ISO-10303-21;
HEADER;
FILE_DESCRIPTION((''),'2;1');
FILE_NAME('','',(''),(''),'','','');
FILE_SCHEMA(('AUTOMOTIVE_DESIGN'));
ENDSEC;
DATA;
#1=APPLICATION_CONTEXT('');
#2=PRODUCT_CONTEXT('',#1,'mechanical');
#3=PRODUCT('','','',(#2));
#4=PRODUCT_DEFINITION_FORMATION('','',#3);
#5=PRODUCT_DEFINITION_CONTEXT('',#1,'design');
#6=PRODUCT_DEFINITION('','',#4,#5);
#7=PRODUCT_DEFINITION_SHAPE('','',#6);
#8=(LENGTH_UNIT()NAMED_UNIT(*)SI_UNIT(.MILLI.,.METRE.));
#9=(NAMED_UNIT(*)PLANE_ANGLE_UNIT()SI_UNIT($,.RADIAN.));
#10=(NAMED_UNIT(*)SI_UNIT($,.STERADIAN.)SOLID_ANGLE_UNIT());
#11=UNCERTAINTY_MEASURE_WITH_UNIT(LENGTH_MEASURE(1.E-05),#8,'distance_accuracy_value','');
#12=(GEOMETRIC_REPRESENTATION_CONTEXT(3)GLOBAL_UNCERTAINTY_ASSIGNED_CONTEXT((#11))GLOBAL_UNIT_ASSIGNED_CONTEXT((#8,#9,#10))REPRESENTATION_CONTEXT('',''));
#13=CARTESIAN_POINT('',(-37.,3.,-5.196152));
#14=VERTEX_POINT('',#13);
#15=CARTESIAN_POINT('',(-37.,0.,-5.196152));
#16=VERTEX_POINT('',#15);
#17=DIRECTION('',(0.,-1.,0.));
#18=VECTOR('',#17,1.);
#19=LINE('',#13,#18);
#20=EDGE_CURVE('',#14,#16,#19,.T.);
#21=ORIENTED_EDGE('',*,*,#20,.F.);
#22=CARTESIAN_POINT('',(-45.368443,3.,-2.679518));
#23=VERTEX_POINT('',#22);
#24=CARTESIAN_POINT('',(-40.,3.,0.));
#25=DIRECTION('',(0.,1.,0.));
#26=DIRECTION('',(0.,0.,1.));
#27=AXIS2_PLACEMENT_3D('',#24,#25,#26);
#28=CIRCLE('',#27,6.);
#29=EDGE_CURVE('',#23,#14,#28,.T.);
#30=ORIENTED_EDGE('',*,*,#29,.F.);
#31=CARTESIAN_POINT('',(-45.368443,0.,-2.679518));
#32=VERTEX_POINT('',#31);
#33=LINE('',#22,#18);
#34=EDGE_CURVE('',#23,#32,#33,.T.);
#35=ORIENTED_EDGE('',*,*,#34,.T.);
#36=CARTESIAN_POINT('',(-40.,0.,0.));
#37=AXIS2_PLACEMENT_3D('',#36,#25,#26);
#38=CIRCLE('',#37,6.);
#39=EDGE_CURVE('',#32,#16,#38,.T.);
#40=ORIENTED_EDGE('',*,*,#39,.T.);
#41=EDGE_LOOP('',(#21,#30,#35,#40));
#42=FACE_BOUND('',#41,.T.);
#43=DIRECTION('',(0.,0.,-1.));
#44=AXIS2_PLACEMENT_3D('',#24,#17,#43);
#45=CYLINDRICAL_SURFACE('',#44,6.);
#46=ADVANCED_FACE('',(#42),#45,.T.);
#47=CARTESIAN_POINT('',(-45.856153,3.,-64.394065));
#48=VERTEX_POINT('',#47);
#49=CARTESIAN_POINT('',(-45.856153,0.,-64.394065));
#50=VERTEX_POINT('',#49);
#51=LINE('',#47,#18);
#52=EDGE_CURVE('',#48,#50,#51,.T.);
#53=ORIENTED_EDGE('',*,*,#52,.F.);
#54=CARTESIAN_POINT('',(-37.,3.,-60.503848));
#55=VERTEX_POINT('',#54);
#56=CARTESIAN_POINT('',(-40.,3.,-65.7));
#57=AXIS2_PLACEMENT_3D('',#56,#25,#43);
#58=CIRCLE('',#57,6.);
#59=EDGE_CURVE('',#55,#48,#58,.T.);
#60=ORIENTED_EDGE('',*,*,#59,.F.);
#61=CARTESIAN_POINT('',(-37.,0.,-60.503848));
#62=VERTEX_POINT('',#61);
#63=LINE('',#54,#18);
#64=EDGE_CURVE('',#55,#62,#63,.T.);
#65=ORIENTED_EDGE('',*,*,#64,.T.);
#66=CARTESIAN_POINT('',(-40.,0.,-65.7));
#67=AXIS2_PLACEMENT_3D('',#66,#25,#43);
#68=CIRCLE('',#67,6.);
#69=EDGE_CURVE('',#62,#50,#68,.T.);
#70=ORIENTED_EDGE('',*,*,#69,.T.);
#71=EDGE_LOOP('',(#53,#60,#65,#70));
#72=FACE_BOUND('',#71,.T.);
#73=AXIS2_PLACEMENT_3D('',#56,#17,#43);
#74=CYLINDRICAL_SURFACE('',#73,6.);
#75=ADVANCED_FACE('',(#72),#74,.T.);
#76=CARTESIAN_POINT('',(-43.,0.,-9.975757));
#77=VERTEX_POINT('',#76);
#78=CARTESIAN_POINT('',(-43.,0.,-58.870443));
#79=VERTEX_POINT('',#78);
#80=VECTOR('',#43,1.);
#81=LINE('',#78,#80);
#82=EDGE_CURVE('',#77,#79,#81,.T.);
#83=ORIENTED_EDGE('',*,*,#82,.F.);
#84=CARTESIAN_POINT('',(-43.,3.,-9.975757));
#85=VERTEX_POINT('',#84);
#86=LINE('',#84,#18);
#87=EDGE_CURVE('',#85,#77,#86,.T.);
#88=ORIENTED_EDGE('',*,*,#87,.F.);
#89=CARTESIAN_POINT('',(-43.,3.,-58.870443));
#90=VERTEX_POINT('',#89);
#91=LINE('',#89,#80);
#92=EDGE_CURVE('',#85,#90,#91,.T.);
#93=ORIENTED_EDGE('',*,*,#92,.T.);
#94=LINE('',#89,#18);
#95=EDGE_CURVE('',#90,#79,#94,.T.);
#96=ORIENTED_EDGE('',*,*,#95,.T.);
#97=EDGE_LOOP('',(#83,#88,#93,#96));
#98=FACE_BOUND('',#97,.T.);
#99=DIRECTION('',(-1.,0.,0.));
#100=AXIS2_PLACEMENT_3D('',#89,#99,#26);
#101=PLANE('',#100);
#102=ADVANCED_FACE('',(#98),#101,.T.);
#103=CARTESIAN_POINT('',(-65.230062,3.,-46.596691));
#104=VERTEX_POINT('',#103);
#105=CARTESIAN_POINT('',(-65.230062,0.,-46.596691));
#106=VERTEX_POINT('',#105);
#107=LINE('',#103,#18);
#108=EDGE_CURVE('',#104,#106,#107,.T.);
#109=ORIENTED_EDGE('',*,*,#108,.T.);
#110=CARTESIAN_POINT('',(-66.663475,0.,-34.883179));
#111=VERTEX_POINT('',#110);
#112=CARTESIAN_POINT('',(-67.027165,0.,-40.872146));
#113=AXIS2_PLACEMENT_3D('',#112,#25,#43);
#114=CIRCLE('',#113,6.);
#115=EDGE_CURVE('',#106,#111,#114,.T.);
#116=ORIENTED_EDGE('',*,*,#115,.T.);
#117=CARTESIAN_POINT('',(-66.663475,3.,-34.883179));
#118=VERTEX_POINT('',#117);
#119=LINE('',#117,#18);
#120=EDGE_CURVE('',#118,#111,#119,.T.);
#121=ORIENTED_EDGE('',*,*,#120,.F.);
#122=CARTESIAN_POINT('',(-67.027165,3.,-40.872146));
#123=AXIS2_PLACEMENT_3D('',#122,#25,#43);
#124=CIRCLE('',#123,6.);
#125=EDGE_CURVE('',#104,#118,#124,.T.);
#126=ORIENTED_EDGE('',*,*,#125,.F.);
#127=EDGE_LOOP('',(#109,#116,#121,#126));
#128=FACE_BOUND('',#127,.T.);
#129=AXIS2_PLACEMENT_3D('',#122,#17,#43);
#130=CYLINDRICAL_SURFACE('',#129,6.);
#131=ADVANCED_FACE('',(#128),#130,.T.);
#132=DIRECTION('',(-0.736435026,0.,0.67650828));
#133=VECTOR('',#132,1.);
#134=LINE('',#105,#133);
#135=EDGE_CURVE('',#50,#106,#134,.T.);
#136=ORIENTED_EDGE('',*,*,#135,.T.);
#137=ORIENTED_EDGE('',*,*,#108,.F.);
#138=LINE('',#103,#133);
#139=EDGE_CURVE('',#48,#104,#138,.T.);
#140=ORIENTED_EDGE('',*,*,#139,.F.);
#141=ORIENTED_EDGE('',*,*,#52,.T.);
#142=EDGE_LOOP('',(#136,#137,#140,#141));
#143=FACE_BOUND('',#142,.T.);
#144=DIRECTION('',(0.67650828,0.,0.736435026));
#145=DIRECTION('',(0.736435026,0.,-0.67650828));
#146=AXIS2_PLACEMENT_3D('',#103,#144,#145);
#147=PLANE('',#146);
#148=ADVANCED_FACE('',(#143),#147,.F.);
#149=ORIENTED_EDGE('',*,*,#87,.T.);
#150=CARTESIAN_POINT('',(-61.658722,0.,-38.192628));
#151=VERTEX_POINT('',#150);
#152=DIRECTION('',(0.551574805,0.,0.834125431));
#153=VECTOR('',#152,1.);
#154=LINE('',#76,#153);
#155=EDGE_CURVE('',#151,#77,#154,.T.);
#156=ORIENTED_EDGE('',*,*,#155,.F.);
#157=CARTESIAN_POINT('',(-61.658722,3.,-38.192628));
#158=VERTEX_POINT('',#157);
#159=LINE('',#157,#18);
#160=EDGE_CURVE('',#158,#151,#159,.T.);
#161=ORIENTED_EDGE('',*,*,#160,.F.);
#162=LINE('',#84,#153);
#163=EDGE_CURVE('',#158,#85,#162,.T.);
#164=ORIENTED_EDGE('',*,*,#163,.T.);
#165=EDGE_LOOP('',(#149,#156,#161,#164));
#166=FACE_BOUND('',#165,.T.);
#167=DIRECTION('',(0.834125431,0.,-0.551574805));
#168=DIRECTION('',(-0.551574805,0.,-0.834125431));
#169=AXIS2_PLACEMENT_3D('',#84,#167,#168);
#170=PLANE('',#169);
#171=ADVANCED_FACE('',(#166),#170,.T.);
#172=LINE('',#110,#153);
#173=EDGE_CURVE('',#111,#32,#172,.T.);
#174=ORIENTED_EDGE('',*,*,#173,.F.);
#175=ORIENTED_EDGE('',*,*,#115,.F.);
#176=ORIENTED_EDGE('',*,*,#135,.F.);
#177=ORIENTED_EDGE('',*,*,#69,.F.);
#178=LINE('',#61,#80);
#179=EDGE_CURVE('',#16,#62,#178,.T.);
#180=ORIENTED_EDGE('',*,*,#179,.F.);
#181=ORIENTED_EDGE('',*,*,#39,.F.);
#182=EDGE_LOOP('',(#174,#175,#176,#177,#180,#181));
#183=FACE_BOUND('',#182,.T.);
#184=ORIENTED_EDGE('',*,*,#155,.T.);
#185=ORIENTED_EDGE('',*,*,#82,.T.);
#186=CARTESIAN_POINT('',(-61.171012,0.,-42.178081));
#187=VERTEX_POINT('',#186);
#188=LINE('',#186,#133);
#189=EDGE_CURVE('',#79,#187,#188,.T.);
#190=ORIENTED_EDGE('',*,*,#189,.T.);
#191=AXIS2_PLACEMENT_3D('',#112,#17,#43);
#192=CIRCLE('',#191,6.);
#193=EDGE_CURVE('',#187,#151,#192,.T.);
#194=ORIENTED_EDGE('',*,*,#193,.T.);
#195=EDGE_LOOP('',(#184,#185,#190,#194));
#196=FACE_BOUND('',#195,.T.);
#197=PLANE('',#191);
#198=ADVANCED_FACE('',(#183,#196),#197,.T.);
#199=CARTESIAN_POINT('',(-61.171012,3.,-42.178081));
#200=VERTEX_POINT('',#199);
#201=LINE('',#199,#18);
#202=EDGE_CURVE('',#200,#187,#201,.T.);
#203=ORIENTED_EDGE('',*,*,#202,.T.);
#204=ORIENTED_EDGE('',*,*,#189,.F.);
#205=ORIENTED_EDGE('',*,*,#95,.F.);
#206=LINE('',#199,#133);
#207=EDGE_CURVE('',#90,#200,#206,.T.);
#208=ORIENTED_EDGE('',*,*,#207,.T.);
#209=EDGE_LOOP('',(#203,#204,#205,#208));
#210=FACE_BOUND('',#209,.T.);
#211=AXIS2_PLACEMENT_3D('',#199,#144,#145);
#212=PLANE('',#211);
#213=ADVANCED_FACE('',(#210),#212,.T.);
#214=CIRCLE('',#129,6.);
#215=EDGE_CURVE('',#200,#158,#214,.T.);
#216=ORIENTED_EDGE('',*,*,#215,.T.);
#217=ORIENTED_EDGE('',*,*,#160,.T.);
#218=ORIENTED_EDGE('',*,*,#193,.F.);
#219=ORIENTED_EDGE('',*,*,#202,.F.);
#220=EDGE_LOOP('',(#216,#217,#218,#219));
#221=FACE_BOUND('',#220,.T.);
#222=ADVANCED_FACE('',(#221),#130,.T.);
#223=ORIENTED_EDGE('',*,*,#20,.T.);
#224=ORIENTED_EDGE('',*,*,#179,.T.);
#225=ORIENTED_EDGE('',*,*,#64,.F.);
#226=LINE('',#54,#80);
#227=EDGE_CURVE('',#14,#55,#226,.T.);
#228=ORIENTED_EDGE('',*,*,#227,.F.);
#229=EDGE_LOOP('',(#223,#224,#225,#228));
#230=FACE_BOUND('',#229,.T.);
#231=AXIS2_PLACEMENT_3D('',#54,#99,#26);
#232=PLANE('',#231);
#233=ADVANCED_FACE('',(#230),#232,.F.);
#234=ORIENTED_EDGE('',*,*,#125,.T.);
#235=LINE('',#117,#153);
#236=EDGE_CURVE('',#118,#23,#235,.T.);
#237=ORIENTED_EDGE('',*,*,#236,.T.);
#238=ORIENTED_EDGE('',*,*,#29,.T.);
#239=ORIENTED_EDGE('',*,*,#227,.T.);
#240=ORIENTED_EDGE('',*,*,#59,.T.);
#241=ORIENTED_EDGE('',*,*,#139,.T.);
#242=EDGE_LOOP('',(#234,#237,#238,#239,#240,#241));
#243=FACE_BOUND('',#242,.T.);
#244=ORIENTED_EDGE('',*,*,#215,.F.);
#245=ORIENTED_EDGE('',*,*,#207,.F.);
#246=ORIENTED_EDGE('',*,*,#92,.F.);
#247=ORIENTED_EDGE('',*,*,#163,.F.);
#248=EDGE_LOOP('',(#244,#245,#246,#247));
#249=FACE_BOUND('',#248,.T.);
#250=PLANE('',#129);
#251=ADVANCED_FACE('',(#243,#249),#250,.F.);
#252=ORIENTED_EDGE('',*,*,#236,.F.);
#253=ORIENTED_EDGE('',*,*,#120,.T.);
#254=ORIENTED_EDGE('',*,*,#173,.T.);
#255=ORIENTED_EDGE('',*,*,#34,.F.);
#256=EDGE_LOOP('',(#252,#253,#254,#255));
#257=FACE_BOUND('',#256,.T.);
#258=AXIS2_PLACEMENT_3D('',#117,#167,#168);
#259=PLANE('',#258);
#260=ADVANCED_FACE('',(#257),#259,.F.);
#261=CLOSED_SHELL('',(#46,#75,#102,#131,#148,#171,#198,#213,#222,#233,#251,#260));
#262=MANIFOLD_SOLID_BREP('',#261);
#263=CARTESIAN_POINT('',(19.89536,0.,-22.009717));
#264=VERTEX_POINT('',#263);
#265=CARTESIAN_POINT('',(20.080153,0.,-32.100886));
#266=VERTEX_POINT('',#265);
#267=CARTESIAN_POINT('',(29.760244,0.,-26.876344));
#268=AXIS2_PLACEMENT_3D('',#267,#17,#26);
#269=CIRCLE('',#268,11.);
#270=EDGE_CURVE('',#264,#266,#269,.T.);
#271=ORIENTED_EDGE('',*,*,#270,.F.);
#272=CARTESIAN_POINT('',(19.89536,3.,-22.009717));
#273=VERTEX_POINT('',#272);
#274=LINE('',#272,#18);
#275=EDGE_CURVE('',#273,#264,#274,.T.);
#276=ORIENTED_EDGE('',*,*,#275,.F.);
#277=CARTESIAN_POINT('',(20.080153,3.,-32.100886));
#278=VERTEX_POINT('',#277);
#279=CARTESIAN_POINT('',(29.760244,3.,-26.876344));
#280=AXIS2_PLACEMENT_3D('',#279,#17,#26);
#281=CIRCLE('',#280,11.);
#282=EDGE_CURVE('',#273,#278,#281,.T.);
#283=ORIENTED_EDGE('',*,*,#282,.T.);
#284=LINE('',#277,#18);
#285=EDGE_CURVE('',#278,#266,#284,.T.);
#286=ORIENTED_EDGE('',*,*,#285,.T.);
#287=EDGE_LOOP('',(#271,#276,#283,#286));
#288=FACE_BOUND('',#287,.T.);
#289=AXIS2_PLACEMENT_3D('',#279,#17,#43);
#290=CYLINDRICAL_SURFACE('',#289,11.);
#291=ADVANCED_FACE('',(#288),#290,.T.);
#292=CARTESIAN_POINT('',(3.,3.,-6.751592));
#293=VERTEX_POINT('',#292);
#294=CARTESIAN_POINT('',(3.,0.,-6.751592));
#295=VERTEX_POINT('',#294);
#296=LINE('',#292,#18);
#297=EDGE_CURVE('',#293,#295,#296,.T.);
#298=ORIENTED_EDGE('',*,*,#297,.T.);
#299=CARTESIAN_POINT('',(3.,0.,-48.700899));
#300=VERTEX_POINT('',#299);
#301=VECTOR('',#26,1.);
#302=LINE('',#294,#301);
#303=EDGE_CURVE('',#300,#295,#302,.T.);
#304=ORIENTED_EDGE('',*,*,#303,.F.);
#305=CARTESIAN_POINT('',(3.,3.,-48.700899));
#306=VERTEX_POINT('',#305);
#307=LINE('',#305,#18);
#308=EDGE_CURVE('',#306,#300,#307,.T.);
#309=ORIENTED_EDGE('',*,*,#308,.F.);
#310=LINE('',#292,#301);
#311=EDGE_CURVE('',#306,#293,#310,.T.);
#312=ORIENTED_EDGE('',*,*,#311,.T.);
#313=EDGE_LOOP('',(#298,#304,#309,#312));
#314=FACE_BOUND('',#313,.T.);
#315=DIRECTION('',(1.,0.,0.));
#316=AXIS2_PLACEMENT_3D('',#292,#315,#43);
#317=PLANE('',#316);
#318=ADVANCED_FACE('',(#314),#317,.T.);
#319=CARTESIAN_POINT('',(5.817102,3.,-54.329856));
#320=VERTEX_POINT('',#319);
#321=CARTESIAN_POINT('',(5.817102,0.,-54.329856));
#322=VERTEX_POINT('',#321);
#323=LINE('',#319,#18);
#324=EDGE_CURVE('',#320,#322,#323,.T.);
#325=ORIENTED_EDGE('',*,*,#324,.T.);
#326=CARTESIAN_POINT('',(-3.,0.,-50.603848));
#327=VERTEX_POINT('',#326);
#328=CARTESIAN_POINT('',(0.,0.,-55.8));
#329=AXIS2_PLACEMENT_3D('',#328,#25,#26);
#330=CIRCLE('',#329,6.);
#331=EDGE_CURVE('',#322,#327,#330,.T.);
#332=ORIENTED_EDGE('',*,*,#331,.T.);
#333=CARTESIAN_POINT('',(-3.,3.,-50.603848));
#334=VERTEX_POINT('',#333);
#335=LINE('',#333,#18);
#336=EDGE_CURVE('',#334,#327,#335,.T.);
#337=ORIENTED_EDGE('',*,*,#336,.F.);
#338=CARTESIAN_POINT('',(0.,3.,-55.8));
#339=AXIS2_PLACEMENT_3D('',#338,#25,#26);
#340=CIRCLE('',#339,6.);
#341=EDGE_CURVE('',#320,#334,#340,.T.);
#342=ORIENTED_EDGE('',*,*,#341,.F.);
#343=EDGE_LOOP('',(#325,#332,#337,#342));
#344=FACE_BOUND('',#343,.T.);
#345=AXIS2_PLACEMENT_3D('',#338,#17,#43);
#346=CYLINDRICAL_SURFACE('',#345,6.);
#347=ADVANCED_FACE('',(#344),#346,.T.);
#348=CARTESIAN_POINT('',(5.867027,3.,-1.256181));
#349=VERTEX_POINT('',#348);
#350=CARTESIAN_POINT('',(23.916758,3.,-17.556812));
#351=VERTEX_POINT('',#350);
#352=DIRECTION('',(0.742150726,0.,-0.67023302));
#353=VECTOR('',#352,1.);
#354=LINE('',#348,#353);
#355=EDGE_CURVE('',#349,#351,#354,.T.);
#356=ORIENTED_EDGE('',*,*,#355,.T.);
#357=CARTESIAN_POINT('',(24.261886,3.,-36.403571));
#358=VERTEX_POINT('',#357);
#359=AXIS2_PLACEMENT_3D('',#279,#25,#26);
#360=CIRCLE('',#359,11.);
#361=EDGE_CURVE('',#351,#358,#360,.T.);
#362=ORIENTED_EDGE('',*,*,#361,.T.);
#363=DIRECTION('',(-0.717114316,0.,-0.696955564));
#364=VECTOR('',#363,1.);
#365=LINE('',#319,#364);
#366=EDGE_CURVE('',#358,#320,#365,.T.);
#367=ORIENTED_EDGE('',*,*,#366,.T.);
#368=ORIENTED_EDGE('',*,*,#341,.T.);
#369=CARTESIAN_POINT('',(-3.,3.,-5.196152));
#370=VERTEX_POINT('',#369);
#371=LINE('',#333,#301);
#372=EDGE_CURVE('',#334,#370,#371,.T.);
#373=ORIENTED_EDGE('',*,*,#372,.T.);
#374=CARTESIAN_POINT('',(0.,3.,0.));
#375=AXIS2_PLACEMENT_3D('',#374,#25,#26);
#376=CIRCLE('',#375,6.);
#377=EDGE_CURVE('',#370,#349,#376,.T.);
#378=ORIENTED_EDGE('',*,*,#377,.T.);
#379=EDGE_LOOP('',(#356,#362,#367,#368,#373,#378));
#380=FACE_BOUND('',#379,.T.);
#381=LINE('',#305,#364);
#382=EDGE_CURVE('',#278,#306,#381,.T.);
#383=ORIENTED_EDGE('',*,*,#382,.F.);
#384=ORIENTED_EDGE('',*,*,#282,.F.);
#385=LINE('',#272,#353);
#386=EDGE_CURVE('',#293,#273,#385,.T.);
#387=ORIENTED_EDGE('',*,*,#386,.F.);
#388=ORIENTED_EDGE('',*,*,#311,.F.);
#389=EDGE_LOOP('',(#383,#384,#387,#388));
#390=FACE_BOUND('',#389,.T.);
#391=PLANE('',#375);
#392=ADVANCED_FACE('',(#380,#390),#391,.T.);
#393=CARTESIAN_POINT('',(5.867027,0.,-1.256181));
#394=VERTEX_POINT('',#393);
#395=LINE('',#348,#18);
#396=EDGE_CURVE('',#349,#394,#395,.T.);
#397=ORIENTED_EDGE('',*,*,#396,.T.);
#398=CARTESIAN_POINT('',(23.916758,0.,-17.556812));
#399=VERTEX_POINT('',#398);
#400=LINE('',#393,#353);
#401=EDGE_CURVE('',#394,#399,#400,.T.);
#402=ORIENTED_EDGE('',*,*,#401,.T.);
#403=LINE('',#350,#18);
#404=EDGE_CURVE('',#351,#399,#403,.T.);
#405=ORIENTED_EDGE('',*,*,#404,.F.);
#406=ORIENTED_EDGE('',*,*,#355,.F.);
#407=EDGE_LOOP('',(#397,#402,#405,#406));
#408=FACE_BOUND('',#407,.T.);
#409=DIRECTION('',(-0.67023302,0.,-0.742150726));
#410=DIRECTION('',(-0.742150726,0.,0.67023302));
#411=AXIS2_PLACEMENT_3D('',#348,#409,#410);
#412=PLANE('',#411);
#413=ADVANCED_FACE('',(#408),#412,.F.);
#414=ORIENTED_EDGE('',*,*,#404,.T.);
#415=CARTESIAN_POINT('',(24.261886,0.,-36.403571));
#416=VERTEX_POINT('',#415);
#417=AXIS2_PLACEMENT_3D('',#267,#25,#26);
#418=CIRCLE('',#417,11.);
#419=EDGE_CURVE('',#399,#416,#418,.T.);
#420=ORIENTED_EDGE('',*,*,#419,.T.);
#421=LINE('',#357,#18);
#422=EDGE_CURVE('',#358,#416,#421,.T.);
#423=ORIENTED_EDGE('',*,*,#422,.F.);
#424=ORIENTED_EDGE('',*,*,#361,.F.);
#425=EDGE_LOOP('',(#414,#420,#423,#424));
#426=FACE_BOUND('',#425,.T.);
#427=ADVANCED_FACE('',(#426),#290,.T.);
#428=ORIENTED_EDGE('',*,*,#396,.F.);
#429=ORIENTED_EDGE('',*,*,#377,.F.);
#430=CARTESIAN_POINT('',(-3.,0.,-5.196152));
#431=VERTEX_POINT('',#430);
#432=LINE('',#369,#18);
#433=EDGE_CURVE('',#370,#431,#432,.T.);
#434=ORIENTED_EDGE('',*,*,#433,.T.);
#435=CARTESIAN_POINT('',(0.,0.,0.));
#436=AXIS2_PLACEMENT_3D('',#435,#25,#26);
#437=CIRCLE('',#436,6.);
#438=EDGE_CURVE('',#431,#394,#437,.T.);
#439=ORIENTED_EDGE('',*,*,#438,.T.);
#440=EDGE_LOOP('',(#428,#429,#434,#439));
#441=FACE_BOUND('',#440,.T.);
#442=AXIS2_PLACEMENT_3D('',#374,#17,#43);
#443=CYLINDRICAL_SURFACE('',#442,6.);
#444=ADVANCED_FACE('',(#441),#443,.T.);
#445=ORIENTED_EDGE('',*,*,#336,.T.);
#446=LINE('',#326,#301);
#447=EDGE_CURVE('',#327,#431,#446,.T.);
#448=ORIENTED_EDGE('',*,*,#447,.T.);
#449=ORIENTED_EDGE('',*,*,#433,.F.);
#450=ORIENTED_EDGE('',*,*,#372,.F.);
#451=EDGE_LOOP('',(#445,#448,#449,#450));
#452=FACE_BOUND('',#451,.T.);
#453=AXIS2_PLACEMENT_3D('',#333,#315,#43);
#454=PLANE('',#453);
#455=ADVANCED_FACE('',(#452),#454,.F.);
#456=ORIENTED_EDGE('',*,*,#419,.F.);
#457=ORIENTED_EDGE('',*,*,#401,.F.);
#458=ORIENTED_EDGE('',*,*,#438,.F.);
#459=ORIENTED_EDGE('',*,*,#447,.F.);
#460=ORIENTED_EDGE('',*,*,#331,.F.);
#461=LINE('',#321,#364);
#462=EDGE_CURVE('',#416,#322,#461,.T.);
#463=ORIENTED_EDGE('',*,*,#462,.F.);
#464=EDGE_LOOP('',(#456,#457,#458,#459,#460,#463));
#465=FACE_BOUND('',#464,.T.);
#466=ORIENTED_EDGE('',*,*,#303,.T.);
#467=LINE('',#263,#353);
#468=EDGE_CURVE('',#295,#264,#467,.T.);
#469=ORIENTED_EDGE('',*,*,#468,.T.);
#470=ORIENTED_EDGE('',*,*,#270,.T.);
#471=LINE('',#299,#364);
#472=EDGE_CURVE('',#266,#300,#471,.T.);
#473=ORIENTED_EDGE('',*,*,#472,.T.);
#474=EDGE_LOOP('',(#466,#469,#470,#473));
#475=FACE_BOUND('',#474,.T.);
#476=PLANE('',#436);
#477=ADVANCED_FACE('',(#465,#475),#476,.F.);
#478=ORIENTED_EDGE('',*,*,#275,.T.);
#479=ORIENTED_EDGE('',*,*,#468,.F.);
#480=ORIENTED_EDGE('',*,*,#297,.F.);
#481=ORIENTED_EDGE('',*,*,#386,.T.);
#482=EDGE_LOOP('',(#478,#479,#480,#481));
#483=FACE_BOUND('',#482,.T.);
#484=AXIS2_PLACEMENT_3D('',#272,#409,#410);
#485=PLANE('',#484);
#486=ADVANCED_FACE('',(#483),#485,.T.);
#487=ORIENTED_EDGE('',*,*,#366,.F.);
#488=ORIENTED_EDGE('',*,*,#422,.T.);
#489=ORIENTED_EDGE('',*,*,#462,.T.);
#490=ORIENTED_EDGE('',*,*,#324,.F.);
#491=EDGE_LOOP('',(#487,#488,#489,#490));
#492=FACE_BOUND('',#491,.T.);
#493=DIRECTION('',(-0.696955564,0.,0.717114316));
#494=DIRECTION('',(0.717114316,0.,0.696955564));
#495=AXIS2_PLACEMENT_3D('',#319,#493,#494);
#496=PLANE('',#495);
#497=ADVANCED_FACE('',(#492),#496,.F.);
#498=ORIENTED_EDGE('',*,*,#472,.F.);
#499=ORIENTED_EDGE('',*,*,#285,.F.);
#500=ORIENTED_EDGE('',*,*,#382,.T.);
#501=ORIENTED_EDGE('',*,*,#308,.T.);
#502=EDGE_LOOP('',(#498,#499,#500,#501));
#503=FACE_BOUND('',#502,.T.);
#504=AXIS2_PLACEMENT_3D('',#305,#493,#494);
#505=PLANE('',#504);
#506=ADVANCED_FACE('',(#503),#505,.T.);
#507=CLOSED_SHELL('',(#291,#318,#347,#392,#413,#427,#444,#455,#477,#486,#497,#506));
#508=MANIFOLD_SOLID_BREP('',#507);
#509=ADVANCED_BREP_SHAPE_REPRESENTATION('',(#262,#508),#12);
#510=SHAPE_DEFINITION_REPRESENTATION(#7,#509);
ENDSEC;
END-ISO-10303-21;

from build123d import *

# Parameters (mm, degrees)
EXTRUDE_1_DEPTH   = 3
EXTRUDE_1_2_DEPTH = 3


with BuildPart() as part:
    # Эскиз1 → Бобышка-Вытянуть1 (new body)
    with BuildSketch(Plane(origin=(0, 0, 0), x_dir=(1, 0, 0), z_dir=(0, 1, 0))):
        with BuildLine():
            Line((-65.230061637, 46.596691334), (-45.856153483, 64.394064938))
            ThreePointArc((-45.856153483, 64.394064938), (-37.586941576, 71.193373193), (-37, 60.503847577))
            Line((-37, 60.503847577), (-37, 5.196152423))
            ThreePointArc((-37, 5.196152423), (-38.272069955, -5.745803491), (-45.368443052, 2.679518464))
            Line((-45.368443052, 2.679518464), (-66.663474973, 34.883178825))
            ThreePointArc((-66.663474973, 34.883178825), (-72.98273861, 41.600945273), (-65.230061637, 46.596691334))
        make_face()
        with BuildLine():
            Line((-61.171011956, 42.178081181), (-43, 58.870443195))
            Line((-43, 58.870443195), (-43, 9.975757131))
            Line((-43, 9.975757131), (-61.658722387, 38.192627654))
            ThreePointArc((-61.658722387, 38.192627654), (-61.071592268, 40.143346965), (-61.171011956, 42.178081181))
        make_face(mode=Mode.SUBTRACT)
    extrude(amount=EXTRUDE_1_DEPTH)


with BuildPart() as body_2:
    # Эскиз1 → Extrude 1 2 (new body)
    with BuildSketch(Plane(origin=(0, 0, 0), x_dir=(1, 0, 0), z_dir=(0, 1, 0))):
        with BuildLine():
            Line((-3, 50.603847577), (-3, 5.196152423))
            ThreePointArc((-3, 5.196152423), (-2.436350888, -5.483082559), (5.867027349, 1.256180752))
            Line((5.867027349, 1.256180752), (23.916758133, 17.556812348))
            ThreePointArc((23.916758133, 17.556812348), (40.75840018, 26.67494221), (24.261886225, 36.403571423))
            Line((24.261886225, 36.403571423), (5.817101981, 54.329855603))
            ThreePointArc((5.817101981, 54.329855603), (-2.335551293, 61.326771223), (-3, 50.603847577))
        make_face()
        with BuildLine():
            Line((19.895360015, 22.009716701), (3, 6.751592212))
            Line((3, 6.751592212), (3, 48.700899365))
            Line((3, 48.700899365), (20.08015284, 32.10088553))
            ThreePointArc((20.08015284, 32.10088553), (18.762088009, 27.077745962), (19.895360015, 22.009716701))
        make_face(mode=Mode.SUBTRACT)
    extrude(amount=EXTRUDE_1_2_DEPTH)


solid = Compound([part.part, body_2.part])
